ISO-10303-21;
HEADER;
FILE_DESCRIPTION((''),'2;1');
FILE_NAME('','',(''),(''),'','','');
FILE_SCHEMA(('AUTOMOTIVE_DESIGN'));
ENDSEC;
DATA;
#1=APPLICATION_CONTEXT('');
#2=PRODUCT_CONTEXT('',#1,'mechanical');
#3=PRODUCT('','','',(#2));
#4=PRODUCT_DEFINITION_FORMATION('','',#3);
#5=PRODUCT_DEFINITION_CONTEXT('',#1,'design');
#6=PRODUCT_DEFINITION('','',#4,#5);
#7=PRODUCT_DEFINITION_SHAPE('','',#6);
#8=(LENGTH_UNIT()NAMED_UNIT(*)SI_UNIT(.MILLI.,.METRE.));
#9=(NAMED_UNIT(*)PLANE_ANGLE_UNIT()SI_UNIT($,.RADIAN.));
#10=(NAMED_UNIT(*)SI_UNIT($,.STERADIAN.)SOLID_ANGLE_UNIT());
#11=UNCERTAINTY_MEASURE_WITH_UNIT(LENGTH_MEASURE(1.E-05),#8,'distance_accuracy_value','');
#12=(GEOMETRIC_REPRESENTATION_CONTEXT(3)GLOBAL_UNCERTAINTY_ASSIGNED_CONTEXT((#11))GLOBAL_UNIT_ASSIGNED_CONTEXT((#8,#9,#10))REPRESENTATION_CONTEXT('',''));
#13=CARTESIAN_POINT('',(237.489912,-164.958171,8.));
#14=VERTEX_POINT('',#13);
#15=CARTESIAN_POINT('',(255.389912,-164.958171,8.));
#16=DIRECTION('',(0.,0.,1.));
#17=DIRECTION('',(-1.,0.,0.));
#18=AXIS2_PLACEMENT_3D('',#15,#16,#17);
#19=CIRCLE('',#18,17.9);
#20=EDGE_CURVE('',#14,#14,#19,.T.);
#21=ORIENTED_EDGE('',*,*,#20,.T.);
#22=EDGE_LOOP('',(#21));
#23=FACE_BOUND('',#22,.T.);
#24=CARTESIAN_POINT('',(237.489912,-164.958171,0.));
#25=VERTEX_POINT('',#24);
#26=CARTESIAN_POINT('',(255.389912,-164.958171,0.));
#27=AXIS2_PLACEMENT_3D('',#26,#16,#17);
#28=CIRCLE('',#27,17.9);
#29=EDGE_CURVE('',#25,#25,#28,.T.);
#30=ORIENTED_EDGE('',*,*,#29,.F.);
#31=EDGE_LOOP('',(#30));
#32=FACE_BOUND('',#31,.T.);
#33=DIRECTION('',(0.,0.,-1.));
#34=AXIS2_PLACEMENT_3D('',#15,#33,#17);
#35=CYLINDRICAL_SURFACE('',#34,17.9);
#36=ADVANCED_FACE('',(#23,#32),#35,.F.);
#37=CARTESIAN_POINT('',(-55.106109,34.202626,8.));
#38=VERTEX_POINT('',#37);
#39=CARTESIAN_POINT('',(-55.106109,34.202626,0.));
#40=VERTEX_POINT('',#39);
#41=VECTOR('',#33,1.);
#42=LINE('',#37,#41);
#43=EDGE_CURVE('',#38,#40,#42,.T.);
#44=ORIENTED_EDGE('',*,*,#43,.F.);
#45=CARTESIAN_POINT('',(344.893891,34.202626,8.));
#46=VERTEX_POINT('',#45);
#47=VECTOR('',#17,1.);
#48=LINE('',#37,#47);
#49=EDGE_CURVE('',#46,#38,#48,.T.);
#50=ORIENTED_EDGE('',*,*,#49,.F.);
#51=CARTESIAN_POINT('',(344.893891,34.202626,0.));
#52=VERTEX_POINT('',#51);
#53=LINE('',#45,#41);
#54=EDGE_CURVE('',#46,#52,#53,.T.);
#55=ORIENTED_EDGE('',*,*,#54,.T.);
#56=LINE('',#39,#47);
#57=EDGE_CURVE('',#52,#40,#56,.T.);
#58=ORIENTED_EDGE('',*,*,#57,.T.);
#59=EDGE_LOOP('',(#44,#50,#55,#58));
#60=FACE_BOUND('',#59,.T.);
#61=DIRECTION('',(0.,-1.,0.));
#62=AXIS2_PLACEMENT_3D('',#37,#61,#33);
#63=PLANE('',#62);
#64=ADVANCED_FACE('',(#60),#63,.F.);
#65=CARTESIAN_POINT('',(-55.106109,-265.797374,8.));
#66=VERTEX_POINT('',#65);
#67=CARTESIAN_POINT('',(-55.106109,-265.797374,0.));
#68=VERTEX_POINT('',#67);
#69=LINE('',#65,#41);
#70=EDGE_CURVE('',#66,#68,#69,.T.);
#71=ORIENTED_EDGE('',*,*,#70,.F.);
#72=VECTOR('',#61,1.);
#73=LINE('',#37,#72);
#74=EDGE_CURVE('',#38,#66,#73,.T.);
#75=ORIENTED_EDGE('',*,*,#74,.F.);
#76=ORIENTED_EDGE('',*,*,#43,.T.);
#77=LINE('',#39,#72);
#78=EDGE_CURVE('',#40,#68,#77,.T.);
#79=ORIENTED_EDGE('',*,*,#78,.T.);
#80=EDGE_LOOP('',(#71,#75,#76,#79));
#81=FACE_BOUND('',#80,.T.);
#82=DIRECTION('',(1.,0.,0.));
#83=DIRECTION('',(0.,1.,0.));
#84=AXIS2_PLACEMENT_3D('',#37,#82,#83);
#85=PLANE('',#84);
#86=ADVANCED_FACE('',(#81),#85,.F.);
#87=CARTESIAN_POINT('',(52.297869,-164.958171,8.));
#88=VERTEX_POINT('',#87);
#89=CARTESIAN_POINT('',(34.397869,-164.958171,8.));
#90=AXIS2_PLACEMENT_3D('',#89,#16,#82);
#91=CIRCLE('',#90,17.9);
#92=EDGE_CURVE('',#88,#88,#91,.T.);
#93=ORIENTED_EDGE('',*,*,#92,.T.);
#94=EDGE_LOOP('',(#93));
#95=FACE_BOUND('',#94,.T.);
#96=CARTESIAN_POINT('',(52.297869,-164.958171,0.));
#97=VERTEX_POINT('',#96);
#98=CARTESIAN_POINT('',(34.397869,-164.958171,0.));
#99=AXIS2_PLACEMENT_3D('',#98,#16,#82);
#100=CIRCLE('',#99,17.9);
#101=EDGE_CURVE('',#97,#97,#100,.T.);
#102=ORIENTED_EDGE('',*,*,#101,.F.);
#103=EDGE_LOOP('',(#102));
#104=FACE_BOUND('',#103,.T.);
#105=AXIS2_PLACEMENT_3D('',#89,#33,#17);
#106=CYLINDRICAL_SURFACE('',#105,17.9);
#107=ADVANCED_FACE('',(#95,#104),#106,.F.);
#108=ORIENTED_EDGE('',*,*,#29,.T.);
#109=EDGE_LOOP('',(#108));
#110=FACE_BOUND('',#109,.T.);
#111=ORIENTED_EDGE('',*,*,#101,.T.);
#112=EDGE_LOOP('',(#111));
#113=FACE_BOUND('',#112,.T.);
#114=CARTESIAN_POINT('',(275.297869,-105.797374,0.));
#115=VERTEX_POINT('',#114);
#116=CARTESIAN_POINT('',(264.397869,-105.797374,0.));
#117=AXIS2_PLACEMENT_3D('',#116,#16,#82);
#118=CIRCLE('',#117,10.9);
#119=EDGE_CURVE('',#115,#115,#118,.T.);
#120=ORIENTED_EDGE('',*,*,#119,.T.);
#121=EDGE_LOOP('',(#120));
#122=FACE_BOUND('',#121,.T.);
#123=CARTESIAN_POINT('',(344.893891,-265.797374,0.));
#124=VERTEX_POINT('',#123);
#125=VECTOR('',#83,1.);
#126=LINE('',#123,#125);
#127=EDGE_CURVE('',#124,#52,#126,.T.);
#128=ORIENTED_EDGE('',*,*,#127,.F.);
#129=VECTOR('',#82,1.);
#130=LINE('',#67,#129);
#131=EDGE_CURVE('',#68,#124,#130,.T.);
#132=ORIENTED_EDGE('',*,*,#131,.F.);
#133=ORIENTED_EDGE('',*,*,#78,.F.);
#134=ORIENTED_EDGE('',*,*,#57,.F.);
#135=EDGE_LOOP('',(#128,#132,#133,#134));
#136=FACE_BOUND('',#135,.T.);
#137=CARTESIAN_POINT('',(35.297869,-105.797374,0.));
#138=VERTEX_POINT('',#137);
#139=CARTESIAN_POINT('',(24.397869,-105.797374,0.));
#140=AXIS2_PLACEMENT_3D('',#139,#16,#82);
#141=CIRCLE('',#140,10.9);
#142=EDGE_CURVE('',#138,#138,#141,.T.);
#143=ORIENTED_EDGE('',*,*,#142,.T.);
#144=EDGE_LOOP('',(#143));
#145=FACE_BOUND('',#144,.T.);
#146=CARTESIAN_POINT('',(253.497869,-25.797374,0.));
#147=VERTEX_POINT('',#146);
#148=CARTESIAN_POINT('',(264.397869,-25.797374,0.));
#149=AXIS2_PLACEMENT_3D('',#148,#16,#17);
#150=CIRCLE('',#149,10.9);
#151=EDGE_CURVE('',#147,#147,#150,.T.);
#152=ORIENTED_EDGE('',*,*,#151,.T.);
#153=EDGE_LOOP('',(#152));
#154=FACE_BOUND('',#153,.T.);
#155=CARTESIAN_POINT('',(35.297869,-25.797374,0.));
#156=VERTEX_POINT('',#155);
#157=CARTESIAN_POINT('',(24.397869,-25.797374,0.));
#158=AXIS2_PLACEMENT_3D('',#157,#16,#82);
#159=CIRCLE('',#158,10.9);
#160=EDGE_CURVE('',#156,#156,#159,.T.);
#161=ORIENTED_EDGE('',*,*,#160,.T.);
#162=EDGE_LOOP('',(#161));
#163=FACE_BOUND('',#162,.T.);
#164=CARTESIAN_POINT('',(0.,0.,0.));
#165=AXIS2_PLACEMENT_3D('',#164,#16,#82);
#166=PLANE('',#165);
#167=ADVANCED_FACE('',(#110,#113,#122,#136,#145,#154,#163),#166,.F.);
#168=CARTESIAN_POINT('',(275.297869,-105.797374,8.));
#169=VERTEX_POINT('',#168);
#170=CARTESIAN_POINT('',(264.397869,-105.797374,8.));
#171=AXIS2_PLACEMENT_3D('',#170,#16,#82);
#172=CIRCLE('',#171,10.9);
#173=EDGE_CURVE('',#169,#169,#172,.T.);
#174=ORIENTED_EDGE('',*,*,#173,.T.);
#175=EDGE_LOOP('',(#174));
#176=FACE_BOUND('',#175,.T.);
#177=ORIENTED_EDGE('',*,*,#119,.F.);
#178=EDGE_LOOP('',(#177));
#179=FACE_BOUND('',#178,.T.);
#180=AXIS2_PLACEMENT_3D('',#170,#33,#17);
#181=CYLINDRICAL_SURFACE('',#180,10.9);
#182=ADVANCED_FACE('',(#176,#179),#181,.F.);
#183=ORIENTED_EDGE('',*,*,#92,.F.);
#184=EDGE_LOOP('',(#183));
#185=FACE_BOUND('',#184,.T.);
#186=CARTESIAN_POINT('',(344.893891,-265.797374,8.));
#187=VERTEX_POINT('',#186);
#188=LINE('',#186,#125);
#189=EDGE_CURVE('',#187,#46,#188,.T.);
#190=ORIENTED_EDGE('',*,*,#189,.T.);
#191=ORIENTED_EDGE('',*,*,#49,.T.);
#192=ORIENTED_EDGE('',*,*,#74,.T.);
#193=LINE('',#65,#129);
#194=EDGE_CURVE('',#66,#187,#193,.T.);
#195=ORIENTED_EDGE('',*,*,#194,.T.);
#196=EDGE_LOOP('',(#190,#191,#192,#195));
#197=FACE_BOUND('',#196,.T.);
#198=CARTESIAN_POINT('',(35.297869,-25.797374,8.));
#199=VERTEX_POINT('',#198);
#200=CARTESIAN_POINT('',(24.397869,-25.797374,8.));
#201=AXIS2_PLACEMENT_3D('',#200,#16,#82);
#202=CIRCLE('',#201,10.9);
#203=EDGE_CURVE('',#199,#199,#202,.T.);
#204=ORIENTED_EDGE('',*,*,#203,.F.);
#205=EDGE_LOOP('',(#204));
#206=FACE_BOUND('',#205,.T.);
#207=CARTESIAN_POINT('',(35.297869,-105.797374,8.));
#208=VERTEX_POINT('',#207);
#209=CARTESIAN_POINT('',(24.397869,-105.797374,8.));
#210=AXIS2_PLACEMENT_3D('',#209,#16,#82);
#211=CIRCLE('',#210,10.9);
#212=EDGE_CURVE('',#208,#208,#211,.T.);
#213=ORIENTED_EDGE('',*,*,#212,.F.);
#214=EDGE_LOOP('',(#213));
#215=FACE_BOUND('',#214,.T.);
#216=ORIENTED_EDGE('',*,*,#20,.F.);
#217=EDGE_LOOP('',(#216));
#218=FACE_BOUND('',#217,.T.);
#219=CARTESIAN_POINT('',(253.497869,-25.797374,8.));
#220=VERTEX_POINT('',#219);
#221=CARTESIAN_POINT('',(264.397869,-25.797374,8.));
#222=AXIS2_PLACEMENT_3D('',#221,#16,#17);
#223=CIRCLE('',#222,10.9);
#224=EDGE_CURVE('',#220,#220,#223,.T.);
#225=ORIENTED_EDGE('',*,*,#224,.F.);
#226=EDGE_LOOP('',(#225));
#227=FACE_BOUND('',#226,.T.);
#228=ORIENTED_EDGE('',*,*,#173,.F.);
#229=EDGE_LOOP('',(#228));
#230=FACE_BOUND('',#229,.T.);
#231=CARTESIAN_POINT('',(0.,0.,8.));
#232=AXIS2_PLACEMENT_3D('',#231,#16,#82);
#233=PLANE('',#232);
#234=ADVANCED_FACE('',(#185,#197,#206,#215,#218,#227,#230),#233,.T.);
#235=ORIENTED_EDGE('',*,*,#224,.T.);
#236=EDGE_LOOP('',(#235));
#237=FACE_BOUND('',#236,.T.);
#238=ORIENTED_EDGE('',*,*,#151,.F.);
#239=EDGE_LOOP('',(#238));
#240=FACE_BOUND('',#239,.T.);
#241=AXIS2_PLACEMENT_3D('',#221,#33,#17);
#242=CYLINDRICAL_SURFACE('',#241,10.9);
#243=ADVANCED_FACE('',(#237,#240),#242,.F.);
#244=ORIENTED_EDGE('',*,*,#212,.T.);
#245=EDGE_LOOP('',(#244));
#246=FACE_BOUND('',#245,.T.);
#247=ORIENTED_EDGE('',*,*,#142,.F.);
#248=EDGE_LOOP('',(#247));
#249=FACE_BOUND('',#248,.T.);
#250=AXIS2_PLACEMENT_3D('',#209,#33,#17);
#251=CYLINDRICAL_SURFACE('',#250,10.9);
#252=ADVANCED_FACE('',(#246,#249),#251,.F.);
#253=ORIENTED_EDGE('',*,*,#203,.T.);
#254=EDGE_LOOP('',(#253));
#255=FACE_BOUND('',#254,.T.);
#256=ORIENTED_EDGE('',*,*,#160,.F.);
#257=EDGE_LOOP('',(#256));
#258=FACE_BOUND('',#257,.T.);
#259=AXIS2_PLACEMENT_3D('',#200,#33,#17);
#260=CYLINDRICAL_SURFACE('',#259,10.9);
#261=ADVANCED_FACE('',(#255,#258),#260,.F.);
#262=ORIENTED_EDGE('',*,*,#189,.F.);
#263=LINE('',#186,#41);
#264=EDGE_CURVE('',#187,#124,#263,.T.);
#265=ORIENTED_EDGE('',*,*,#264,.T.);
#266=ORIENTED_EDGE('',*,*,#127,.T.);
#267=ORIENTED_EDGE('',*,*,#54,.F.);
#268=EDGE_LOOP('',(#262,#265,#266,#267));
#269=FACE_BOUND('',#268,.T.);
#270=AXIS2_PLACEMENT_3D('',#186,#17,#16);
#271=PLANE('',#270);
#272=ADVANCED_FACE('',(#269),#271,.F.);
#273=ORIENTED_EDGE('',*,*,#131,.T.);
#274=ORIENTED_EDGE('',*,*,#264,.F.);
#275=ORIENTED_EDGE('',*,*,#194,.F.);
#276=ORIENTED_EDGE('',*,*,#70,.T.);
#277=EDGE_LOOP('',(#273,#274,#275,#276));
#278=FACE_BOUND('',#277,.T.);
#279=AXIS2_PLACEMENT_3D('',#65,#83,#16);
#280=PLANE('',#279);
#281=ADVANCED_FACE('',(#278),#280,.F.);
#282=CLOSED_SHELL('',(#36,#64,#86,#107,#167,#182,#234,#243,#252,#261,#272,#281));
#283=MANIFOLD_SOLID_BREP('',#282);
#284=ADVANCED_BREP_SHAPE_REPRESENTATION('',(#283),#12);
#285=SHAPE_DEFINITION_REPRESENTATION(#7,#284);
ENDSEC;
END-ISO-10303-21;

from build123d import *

# Parameters (mm, degrees)
SKETCH_1_W      = 400
SKETCH_1_H      = 300
SKETCH_1_R      = 10.9
SKETCH_1_R_2    = 17.9
EXTRUDE_1_DEPTH = 8


with BuildPart() as part:
    # 草图1 → 凸台-拉伸1 (new body)
    with BuildSketch(Plane.XY):
        with Locations((144.893890631, -115.797373506)):
            Rectangle(SKETCH_1_W, SKETCH_1_H)
        with Locations((24.397869229, -25.797373506)):
            Circle(SKETCH_1_R, mode=Mode.SUBTRACT)
        with Locations((264.397869229, -25.797373506)):
            Circle(SKETCH_1_R, mode=Mode.SUBTRACT)
        with Locations((24.397869229, -105.797373506)):
            Circle(SKETCH_1_R, mode=Mode.SUBTRACT)
        with Locations((264.397869229, -105.797373506)):
            Circle(SKETCH_1_R, mode=Mode.SUBTRACT)
        with Locations((34.397869229, -164.958171337)):
            Circle(SKETCH_1_R_2, mode=Mode.SUBTRACT)
        with Locations((255.389912033, -164.958171337)):
            Circle(SKETCH_1_R_2, mode=Mode.SUBTRACT)
    extrude(amount=EXTRUDE_1_DEPTH)


solid = part.part
